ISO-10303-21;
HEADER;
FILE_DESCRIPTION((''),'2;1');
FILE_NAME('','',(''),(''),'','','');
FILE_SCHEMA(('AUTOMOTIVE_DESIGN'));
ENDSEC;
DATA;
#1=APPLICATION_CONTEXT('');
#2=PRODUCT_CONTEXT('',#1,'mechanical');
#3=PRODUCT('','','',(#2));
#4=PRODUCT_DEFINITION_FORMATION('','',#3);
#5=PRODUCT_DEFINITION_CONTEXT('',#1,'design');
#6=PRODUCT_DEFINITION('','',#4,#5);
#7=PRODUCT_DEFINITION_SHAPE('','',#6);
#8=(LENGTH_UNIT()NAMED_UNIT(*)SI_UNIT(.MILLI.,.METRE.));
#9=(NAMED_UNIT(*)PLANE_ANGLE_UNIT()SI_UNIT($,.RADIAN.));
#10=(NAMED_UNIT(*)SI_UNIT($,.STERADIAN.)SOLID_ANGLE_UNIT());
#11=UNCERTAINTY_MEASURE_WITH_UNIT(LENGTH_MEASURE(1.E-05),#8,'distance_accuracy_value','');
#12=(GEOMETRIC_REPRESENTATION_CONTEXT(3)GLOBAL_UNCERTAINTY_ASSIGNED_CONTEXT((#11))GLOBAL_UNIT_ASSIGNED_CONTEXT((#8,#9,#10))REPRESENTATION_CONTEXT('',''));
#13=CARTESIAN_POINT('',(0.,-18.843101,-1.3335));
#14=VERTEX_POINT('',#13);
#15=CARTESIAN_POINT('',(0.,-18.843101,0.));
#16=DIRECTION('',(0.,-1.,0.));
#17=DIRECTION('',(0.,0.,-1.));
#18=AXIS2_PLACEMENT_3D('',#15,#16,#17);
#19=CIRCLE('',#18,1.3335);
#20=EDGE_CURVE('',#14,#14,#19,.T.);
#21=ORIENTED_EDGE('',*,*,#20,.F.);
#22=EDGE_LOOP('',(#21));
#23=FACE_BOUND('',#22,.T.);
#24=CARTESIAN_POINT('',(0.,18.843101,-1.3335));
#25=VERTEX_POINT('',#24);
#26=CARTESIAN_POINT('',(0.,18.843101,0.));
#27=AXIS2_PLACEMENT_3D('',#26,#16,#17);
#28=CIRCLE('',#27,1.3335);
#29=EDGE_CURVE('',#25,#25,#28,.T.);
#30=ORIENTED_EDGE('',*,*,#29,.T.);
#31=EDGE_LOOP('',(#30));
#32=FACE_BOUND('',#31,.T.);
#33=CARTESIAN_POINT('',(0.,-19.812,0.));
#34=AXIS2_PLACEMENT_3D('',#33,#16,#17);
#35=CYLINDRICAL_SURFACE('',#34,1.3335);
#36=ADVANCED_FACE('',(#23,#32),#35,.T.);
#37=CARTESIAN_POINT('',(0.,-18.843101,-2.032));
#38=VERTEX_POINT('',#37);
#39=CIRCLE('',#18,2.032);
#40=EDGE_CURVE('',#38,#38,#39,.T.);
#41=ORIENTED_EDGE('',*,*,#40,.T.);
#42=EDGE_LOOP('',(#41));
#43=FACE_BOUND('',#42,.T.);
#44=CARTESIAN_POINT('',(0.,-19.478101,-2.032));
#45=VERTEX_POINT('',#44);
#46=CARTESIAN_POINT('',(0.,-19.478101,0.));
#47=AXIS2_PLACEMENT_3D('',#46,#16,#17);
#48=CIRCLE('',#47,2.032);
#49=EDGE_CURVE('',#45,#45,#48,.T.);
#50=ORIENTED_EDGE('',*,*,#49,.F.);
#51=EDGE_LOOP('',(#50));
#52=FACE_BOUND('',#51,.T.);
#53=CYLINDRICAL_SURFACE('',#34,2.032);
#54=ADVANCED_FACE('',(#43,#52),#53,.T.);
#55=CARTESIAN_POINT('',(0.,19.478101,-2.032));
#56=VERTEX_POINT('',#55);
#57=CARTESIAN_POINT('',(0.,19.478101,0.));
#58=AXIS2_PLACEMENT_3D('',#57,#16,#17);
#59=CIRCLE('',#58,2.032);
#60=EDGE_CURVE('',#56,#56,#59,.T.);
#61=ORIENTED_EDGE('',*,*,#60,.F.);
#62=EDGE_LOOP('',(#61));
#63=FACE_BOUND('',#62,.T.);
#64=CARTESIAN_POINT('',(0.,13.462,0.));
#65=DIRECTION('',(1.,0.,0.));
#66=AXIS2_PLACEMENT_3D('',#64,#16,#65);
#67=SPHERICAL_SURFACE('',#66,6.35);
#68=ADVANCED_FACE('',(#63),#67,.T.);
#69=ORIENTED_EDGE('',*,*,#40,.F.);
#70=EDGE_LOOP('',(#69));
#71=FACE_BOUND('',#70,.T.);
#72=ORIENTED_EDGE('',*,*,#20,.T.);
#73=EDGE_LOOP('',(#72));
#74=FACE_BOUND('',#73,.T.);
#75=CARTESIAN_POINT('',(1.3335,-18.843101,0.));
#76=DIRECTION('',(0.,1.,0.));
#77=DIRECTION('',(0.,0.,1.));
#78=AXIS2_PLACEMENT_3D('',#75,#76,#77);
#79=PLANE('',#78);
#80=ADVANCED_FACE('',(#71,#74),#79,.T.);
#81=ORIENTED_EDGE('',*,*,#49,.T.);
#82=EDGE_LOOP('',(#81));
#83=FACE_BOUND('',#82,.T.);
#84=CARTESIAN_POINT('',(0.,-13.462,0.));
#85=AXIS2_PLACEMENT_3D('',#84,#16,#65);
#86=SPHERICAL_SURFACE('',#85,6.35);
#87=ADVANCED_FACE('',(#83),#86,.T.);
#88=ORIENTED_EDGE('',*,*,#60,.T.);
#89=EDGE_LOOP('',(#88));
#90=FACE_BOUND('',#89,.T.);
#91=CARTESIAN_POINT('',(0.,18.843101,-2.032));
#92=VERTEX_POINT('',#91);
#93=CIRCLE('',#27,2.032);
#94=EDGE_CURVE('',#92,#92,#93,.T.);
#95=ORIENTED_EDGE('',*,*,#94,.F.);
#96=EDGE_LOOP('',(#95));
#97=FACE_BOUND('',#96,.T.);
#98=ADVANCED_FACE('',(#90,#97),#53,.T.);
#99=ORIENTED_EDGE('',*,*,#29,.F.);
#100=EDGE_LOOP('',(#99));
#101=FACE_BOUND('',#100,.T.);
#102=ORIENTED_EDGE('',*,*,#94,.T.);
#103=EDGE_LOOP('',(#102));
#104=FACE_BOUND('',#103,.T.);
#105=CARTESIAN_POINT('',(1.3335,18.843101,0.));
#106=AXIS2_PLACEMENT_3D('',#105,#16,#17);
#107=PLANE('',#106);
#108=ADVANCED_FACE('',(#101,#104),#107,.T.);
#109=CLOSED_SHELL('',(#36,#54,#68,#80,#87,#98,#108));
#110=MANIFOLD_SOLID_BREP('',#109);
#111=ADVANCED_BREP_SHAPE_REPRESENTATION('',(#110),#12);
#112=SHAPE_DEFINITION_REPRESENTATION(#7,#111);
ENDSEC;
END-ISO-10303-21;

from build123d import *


with BuildPart() as part:
    # Sketch1 → Revolve1 (revolve)
    with BuildSketch(Plane.XY, mode=Mode.PRIVATE) as revolve1_sk:
        with BuildLine():
            Line((0, -19.812), (0, 19.812))
            ThreePointArc((0, 19.812), (1.029625208, 19.727969353), (2.032, 19.478101395))
            Line((2.032, 19.478101395), (2.032, 18.843101395))
            Line((2.032, 18.843101395), (1.3335, 18.843101395))
            Line((1.3335, 18.843101395), (1.3335, -18.843101395))
            Line((1.3335, -18.843101395), (2.032, -18.843101395))
            Line((2.032, -18.843101395), (2.032, -19.478101395))
            ThreePointArc((2.032, -19.478101395), (1.029625208, -19.727969353), (0, -19.812))
        make_face()
    revolve(revolve1_sk.sketch.rotate(Axis((0, -19.812, 0), (0, 1, 0)), 90), axis=Axis((0, -19.812, 0), (0, 1, 0)))


solid = part.part
